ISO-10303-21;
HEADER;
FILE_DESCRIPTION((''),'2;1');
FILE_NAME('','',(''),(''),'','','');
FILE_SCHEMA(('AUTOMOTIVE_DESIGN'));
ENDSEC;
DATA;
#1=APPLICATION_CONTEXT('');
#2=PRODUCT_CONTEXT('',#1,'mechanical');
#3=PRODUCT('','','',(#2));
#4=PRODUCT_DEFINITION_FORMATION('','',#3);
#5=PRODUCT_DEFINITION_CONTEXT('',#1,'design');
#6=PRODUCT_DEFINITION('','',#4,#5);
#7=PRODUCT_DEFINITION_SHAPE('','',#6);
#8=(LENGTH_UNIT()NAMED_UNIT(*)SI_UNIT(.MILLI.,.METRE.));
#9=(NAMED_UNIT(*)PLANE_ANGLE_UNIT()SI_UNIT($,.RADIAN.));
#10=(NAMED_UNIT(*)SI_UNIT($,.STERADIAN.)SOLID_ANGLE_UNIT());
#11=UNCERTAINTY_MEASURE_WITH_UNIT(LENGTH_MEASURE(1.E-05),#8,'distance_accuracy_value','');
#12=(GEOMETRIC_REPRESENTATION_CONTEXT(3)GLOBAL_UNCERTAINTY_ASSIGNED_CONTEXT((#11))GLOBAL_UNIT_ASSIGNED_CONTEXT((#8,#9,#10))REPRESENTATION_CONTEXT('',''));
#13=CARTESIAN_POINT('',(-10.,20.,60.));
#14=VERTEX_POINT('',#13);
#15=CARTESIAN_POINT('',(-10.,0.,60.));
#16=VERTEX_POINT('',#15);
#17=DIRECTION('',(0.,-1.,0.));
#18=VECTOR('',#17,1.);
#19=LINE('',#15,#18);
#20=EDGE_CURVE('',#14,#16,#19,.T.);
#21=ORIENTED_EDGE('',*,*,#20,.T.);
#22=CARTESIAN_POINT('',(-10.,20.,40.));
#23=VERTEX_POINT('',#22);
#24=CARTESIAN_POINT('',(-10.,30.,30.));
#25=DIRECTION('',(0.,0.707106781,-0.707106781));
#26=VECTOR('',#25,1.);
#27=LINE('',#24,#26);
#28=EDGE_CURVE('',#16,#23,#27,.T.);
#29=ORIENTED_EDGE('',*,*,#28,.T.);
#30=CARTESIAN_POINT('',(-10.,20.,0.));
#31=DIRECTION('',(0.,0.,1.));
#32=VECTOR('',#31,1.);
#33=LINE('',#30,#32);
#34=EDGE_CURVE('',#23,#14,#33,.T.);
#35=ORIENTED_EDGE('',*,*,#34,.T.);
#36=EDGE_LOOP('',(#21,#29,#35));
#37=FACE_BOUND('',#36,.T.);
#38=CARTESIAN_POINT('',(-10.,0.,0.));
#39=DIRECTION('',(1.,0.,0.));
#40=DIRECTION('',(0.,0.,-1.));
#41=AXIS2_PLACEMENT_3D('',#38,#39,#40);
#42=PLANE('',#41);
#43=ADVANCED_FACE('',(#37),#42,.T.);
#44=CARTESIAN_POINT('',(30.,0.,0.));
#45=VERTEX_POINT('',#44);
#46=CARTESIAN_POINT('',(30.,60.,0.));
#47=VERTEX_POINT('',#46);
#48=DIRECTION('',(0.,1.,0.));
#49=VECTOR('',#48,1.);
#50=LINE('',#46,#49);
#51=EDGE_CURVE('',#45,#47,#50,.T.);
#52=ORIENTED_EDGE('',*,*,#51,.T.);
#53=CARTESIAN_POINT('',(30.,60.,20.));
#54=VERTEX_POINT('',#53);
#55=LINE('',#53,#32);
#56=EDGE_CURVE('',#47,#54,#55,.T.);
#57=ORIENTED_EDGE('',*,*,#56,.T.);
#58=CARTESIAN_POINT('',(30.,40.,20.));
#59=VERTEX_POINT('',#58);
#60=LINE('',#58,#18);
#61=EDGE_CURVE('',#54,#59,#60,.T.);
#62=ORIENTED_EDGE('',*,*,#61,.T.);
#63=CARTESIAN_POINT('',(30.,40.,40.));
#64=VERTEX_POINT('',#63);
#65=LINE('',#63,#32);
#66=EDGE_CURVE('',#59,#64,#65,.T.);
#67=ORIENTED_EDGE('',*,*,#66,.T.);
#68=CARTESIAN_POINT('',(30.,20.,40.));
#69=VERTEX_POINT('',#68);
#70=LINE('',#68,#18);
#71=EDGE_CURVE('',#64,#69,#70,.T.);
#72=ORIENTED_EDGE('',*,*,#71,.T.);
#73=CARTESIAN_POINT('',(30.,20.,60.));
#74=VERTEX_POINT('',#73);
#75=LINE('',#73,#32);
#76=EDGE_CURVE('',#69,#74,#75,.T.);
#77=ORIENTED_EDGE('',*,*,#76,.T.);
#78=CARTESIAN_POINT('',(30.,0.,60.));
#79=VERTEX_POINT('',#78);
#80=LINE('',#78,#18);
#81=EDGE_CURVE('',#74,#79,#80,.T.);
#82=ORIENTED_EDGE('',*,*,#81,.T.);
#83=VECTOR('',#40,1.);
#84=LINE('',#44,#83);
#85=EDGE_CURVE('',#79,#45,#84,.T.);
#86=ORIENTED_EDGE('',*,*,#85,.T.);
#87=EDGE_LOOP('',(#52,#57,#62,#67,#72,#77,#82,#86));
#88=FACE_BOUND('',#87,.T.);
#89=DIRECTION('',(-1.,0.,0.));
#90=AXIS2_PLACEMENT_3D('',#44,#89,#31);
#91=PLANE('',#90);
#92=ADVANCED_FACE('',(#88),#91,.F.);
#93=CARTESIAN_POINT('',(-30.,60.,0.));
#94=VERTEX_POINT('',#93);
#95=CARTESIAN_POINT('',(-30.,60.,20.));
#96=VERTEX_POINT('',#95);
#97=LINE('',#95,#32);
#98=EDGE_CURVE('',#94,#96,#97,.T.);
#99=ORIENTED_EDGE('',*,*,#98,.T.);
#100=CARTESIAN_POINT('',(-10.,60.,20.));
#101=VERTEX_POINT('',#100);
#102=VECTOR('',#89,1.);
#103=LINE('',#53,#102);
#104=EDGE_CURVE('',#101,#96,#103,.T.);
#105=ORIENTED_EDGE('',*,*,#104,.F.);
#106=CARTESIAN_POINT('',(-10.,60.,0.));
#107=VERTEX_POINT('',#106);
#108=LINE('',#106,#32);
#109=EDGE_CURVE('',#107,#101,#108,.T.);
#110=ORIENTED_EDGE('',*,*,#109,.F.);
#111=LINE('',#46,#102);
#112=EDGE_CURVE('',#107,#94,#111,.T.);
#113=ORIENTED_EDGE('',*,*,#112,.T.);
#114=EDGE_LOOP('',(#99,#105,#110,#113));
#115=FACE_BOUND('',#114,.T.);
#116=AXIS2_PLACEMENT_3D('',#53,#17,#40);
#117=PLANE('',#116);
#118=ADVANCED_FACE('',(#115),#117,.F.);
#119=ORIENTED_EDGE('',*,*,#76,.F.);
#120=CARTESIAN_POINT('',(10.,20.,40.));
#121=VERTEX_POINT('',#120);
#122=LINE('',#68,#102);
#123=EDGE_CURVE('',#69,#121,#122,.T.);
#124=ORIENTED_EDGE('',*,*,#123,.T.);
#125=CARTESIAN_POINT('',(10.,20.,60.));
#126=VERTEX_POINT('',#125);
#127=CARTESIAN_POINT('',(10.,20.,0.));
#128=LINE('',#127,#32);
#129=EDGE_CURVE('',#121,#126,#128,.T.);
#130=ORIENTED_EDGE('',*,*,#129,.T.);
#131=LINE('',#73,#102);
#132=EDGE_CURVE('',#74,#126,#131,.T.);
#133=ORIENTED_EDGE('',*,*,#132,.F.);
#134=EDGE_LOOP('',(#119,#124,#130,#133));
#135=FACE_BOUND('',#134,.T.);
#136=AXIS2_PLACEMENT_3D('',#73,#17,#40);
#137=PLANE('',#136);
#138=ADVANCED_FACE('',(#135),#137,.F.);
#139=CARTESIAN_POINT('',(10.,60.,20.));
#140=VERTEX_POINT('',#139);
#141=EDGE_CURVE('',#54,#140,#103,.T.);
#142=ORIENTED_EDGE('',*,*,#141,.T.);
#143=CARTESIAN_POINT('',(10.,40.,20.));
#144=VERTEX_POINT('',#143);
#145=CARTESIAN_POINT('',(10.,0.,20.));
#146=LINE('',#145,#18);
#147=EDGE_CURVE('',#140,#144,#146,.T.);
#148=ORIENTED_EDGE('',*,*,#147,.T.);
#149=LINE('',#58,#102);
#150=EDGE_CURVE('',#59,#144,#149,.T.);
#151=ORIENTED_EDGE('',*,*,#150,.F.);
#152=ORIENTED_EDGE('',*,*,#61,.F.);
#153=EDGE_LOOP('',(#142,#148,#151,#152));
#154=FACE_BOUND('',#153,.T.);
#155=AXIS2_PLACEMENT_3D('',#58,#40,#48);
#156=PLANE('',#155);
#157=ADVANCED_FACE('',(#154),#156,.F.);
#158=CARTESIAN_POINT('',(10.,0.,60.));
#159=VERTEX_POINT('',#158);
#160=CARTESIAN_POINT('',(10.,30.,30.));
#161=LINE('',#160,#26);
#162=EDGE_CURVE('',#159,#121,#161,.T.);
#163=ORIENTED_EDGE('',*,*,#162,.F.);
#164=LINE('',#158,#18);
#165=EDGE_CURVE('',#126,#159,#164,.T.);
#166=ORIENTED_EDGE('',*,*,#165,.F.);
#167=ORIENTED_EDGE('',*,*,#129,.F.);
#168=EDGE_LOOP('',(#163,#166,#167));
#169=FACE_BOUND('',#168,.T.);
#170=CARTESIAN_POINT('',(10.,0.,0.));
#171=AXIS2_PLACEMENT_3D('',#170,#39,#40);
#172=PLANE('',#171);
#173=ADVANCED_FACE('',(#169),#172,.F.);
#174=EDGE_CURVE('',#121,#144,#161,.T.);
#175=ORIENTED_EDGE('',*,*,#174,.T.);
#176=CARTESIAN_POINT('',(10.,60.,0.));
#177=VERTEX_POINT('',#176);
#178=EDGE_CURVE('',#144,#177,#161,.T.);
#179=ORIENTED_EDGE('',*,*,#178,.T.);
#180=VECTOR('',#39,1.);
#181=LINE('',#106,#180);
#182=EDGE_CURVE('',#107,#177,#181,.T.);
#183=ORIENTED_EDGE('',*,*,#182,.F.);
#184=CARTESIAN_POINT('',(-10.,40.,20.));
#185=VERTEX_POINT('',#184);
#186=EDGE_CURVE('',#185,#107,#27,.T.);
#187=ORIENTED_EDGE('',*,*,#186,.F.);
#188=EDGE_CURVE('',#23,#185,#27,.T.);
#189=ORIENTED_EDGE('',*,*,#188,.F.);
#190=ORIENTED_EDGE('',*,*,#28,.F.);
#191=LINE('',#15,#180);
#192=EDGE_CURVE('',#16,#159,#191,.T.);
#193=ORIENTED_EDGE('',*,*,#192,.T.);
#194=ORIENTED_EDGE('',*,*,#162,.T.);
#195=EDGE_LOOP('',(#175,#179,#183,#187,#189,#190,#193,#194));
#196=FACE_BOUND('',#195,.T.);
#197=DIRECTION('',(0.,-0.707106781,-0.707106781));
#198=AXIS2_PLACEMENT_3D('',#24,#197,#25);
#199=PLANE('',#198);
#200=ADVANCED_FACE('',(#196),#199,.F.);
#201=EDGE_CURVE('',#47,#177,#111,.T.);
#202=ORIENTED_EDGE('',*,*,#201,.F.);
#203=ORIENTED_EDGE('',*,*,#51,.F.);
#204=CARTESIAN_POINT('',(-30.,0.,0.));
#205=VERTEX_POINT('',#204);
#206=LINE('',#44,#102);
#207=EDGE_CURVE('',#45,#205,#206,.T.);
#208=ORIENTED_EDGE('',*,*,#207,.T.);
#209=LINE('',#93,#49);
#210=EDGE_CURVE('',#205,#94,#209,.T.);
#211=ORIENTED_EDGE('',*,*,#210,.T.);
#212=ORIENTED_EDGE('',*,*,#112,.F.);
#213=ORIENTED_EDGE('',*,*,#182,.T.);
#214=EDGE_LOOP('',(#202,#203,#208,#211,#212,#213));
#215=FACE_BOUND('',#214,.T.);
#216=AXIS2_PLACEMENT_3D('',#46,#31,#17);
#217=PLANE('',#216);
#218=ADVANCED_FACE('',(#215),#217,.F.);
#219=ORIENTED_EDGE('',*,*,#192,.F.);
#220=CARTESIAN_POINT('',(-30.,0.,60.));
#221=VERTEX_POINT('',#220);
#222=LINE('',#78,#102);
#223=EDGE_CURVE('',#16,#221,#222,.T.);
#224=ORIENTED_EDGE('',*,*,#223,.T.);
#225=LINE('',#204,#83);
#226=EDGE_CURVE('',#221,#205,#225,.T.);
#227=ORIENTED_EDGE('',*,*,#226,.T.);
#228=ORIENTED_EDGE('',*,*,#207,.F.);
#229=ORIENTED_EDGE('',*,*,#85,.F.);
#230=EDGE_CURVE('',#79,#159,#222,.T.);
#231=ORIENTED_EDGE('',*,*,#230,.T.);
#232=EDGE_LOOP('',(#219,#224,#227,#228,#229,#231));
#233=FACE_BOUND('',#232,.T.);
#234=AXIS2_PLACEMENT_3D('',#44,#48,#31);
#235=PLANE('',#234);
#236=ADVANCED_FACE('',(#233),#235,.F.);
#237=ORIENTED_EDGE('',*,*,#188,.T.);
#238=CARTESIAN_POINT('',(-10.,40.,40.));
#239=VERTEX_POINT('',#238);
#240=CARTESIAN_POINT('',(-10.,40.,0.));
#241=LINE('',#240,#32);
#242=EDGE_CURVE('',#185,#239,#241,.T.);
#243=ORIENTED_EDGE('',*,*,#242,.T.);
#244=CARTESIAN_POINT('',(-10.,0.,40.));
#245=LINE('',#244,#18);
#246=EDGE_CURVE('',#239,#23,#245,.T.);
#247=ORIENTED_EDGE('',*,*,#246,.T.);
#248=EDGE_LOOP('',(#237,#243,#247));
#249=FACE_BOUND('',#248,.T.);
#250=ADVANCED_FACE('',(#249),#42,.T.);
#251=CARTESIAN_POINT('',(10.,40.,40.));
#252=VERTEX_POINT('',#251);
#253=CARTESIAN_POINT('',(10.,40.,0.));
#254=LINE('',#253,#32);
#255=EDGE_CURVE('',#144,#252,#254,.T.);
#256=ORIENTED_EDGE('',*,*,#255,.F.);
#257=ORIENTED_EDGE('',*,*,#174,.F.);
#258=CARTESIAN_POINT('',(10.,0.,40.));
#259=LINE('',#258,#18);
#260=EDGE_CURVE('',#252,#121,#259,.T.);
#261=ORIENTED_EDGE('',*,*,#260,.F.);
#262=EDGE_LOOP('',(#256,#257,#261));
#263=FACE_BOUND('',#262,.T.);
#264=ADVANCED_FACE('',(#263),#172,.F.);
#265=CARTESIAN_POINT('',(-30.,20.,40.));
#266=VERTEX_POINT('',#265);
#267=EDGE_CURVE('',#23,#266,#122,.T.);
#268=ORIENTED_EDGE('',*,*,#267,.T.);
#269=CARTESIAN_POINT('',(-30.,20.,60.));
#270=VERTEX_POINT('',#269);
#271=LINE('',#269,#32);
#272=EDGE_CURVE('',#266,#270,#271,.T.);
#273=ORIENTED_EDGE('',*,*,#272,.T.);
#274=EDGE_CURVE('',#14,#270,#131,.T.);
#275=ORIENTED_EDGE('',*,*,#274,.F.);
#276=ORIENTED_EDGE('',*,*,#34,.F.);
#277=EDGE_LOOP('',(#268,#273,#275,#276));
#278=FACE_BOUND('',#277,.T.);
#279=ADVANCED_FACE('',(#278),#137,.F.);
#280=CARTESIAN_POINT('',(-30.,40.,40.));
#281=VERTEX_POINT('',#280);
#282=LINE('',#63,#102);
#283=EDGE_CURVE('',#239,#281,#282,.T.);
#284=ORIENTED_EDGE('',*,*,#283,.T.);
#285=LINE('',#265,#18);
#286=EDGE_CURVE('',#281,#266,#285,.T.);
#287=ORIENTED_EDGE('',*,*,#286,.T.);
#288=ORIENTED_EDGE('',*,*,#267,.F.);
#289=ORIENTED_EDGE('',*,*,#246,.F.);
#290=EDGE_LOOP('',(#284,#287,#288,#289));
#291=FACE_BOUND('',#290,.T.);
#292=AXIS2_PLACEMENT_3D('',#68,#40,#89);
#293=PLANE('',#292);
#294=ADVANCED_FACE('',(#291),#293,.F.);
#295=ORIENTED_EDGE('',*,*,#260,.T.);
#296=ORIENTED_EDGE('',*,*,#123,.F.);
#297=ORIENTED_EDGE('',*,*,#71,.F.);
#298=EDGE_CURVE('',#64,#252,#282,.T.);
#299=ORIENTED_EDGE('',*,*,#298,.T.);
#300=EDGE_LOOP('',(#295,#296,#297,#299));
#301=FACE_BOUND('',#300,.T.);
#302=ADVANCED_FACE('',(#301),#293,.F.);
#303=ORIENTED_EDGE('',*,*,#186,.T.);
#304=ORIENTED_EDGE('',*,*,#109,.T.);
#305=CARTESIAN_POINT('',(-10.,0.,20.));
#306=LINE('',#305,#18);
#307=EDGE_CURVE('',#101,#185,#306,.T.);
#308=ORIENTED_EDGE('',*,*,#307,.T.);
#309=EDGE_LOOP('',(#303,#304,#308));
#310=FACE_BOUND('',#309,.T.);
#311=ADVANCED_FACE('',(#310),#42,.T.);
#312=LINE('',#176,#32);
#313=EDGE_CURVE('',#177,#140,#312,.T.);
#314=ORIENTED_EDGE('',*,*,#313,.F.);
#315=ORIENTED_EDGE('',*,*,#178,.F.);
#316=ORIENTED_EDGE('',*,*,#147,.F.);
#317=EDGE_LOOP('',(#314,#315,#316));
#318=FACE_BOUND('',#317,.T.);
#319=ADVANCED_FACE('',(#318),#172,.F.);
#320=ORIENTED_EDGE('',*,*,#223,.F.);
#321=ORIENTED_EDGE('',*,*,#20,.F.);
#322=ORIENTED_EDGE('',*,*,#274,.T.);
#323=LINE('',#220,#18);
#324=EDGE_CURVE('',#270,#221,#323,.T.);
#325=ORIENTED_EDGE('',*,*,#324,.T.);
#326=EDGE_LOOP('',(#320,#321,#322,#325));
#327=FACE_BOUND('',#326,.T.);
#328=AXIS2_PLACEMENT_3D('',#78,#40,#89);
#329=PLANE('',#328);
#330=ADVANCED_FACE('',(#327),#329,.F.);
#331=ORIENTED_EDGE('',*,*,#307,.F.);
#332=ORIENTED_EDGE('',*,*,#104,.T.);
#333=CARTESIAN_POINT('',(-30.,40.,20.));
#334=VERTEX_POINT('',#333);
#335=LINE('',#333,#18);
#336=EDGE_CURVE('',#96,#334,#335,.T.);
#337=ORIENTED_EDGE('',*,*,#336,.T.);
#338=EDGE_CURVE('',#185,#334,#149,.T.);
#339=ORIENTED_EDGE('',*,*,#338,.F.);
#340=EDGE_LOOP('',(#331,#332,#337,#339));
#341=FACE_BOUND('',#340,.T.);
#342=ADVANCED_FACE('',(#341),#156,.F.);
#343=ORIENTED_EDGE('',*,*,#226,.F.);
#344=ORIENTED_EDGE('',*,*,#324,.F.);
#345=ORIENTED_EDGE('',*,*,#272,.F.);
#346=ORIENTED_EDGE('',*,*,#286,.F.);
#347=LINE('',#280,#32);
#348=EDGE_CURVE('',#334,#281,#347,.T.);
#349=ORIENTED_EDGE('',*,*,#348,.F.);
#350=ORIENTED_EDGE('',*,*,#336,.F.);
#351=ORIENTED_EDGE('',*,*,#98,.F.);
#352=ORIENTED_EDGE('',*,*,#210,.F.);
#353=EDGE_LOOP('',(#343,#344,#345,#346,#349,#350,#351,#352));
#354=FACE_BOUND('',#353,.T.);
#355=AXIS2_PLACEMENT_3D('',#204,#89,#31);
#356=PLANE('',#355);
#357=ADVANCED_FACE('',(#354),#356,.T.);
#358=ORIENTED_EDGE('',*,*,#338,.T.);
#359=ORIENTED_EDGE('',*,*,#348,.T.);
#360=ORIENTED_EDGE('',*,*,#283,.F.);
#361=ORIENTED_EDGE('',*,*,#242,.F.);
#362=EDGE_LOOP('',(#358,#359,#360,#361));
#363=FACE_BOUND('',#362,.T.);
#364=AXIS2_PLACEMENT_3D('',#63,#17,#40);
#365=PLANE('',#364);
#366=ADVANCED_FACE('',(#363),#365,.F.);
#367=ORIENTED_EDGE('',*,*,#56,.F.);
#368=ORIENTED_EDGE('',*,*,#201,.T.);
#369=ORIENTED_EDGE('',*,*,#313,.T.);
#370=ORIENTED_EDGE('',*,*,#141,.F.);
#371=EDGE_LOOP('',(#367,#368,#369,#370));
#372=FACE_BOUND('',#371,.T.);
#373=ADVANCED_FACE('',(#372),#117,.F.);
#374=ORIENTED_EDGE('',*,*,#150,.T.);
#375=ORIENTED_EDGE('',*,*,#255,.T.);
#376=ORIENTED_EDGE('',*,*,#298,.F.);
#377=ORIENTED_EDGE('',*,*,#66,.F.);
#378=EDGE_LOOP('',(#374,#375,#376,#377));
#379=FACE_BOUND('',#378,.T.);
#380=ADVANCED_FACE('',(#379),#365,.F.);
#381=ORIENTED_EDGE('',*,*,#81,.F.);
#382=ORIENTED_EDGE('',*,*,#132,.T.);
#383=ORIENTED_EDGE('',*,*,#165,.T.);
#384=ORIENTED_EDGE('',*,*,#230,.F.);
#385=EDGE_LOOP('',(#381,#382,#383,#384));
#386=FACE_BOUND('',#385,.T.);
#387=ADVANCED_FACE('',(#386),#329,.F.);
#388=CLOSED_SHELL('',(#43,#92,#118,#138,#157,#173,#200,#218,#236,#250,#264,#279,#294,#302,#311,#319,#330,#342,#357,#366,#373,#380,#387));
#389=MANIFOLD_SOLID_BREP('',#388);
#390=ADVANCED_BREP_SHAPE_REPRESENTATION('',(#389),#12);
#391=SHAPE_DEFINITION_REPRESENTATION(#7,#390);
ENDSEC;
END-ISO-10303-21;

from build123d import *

# Parameters (mm, degrees)
SALIENTE_EXTRUIR1_DEPTH = 30
CORTAR_EXTRUIR1_DEPTH   = 10


with BuildPart() as part:
    # Croquis1 → Saliente-Extruir1 (new body, symmetric)
    with BuildSketch(Plane(origin=(0, 0, 0), x_dir=(0, 0, -1), z_dir=(1, 0, 0))):
        Polygon((0, 0), (-60, 0), (-60, 20), (-40, 20), (-40, 40), (-20, 40), (-20, 60), (0, 60), align=None)
    extrude(amount=SALIENTE_EXTRUIR1_DEPTH, both=True)

    # Croquis2 → Cortar-Extruir1 (cut, symmetric)
    with BuildSketch(Plane(origin=(0, 0, 0), x_dir=(0, 0, -1), z_dir=(1, 0, 0))):
        Polygon((-40, 20), (-20, 40), (-40, 40), align=None)
        Polygon((-60, 0), (-40, 20), (-60, 20), align=None)
        Polygon((-20, 40), (0, 60), (-20, 60), align=None)
    extrude(amount=CORTAR_EXTRUIR1_DEPTH, both=True, mode=Mode.SUBTRACT)


solid = part.part
